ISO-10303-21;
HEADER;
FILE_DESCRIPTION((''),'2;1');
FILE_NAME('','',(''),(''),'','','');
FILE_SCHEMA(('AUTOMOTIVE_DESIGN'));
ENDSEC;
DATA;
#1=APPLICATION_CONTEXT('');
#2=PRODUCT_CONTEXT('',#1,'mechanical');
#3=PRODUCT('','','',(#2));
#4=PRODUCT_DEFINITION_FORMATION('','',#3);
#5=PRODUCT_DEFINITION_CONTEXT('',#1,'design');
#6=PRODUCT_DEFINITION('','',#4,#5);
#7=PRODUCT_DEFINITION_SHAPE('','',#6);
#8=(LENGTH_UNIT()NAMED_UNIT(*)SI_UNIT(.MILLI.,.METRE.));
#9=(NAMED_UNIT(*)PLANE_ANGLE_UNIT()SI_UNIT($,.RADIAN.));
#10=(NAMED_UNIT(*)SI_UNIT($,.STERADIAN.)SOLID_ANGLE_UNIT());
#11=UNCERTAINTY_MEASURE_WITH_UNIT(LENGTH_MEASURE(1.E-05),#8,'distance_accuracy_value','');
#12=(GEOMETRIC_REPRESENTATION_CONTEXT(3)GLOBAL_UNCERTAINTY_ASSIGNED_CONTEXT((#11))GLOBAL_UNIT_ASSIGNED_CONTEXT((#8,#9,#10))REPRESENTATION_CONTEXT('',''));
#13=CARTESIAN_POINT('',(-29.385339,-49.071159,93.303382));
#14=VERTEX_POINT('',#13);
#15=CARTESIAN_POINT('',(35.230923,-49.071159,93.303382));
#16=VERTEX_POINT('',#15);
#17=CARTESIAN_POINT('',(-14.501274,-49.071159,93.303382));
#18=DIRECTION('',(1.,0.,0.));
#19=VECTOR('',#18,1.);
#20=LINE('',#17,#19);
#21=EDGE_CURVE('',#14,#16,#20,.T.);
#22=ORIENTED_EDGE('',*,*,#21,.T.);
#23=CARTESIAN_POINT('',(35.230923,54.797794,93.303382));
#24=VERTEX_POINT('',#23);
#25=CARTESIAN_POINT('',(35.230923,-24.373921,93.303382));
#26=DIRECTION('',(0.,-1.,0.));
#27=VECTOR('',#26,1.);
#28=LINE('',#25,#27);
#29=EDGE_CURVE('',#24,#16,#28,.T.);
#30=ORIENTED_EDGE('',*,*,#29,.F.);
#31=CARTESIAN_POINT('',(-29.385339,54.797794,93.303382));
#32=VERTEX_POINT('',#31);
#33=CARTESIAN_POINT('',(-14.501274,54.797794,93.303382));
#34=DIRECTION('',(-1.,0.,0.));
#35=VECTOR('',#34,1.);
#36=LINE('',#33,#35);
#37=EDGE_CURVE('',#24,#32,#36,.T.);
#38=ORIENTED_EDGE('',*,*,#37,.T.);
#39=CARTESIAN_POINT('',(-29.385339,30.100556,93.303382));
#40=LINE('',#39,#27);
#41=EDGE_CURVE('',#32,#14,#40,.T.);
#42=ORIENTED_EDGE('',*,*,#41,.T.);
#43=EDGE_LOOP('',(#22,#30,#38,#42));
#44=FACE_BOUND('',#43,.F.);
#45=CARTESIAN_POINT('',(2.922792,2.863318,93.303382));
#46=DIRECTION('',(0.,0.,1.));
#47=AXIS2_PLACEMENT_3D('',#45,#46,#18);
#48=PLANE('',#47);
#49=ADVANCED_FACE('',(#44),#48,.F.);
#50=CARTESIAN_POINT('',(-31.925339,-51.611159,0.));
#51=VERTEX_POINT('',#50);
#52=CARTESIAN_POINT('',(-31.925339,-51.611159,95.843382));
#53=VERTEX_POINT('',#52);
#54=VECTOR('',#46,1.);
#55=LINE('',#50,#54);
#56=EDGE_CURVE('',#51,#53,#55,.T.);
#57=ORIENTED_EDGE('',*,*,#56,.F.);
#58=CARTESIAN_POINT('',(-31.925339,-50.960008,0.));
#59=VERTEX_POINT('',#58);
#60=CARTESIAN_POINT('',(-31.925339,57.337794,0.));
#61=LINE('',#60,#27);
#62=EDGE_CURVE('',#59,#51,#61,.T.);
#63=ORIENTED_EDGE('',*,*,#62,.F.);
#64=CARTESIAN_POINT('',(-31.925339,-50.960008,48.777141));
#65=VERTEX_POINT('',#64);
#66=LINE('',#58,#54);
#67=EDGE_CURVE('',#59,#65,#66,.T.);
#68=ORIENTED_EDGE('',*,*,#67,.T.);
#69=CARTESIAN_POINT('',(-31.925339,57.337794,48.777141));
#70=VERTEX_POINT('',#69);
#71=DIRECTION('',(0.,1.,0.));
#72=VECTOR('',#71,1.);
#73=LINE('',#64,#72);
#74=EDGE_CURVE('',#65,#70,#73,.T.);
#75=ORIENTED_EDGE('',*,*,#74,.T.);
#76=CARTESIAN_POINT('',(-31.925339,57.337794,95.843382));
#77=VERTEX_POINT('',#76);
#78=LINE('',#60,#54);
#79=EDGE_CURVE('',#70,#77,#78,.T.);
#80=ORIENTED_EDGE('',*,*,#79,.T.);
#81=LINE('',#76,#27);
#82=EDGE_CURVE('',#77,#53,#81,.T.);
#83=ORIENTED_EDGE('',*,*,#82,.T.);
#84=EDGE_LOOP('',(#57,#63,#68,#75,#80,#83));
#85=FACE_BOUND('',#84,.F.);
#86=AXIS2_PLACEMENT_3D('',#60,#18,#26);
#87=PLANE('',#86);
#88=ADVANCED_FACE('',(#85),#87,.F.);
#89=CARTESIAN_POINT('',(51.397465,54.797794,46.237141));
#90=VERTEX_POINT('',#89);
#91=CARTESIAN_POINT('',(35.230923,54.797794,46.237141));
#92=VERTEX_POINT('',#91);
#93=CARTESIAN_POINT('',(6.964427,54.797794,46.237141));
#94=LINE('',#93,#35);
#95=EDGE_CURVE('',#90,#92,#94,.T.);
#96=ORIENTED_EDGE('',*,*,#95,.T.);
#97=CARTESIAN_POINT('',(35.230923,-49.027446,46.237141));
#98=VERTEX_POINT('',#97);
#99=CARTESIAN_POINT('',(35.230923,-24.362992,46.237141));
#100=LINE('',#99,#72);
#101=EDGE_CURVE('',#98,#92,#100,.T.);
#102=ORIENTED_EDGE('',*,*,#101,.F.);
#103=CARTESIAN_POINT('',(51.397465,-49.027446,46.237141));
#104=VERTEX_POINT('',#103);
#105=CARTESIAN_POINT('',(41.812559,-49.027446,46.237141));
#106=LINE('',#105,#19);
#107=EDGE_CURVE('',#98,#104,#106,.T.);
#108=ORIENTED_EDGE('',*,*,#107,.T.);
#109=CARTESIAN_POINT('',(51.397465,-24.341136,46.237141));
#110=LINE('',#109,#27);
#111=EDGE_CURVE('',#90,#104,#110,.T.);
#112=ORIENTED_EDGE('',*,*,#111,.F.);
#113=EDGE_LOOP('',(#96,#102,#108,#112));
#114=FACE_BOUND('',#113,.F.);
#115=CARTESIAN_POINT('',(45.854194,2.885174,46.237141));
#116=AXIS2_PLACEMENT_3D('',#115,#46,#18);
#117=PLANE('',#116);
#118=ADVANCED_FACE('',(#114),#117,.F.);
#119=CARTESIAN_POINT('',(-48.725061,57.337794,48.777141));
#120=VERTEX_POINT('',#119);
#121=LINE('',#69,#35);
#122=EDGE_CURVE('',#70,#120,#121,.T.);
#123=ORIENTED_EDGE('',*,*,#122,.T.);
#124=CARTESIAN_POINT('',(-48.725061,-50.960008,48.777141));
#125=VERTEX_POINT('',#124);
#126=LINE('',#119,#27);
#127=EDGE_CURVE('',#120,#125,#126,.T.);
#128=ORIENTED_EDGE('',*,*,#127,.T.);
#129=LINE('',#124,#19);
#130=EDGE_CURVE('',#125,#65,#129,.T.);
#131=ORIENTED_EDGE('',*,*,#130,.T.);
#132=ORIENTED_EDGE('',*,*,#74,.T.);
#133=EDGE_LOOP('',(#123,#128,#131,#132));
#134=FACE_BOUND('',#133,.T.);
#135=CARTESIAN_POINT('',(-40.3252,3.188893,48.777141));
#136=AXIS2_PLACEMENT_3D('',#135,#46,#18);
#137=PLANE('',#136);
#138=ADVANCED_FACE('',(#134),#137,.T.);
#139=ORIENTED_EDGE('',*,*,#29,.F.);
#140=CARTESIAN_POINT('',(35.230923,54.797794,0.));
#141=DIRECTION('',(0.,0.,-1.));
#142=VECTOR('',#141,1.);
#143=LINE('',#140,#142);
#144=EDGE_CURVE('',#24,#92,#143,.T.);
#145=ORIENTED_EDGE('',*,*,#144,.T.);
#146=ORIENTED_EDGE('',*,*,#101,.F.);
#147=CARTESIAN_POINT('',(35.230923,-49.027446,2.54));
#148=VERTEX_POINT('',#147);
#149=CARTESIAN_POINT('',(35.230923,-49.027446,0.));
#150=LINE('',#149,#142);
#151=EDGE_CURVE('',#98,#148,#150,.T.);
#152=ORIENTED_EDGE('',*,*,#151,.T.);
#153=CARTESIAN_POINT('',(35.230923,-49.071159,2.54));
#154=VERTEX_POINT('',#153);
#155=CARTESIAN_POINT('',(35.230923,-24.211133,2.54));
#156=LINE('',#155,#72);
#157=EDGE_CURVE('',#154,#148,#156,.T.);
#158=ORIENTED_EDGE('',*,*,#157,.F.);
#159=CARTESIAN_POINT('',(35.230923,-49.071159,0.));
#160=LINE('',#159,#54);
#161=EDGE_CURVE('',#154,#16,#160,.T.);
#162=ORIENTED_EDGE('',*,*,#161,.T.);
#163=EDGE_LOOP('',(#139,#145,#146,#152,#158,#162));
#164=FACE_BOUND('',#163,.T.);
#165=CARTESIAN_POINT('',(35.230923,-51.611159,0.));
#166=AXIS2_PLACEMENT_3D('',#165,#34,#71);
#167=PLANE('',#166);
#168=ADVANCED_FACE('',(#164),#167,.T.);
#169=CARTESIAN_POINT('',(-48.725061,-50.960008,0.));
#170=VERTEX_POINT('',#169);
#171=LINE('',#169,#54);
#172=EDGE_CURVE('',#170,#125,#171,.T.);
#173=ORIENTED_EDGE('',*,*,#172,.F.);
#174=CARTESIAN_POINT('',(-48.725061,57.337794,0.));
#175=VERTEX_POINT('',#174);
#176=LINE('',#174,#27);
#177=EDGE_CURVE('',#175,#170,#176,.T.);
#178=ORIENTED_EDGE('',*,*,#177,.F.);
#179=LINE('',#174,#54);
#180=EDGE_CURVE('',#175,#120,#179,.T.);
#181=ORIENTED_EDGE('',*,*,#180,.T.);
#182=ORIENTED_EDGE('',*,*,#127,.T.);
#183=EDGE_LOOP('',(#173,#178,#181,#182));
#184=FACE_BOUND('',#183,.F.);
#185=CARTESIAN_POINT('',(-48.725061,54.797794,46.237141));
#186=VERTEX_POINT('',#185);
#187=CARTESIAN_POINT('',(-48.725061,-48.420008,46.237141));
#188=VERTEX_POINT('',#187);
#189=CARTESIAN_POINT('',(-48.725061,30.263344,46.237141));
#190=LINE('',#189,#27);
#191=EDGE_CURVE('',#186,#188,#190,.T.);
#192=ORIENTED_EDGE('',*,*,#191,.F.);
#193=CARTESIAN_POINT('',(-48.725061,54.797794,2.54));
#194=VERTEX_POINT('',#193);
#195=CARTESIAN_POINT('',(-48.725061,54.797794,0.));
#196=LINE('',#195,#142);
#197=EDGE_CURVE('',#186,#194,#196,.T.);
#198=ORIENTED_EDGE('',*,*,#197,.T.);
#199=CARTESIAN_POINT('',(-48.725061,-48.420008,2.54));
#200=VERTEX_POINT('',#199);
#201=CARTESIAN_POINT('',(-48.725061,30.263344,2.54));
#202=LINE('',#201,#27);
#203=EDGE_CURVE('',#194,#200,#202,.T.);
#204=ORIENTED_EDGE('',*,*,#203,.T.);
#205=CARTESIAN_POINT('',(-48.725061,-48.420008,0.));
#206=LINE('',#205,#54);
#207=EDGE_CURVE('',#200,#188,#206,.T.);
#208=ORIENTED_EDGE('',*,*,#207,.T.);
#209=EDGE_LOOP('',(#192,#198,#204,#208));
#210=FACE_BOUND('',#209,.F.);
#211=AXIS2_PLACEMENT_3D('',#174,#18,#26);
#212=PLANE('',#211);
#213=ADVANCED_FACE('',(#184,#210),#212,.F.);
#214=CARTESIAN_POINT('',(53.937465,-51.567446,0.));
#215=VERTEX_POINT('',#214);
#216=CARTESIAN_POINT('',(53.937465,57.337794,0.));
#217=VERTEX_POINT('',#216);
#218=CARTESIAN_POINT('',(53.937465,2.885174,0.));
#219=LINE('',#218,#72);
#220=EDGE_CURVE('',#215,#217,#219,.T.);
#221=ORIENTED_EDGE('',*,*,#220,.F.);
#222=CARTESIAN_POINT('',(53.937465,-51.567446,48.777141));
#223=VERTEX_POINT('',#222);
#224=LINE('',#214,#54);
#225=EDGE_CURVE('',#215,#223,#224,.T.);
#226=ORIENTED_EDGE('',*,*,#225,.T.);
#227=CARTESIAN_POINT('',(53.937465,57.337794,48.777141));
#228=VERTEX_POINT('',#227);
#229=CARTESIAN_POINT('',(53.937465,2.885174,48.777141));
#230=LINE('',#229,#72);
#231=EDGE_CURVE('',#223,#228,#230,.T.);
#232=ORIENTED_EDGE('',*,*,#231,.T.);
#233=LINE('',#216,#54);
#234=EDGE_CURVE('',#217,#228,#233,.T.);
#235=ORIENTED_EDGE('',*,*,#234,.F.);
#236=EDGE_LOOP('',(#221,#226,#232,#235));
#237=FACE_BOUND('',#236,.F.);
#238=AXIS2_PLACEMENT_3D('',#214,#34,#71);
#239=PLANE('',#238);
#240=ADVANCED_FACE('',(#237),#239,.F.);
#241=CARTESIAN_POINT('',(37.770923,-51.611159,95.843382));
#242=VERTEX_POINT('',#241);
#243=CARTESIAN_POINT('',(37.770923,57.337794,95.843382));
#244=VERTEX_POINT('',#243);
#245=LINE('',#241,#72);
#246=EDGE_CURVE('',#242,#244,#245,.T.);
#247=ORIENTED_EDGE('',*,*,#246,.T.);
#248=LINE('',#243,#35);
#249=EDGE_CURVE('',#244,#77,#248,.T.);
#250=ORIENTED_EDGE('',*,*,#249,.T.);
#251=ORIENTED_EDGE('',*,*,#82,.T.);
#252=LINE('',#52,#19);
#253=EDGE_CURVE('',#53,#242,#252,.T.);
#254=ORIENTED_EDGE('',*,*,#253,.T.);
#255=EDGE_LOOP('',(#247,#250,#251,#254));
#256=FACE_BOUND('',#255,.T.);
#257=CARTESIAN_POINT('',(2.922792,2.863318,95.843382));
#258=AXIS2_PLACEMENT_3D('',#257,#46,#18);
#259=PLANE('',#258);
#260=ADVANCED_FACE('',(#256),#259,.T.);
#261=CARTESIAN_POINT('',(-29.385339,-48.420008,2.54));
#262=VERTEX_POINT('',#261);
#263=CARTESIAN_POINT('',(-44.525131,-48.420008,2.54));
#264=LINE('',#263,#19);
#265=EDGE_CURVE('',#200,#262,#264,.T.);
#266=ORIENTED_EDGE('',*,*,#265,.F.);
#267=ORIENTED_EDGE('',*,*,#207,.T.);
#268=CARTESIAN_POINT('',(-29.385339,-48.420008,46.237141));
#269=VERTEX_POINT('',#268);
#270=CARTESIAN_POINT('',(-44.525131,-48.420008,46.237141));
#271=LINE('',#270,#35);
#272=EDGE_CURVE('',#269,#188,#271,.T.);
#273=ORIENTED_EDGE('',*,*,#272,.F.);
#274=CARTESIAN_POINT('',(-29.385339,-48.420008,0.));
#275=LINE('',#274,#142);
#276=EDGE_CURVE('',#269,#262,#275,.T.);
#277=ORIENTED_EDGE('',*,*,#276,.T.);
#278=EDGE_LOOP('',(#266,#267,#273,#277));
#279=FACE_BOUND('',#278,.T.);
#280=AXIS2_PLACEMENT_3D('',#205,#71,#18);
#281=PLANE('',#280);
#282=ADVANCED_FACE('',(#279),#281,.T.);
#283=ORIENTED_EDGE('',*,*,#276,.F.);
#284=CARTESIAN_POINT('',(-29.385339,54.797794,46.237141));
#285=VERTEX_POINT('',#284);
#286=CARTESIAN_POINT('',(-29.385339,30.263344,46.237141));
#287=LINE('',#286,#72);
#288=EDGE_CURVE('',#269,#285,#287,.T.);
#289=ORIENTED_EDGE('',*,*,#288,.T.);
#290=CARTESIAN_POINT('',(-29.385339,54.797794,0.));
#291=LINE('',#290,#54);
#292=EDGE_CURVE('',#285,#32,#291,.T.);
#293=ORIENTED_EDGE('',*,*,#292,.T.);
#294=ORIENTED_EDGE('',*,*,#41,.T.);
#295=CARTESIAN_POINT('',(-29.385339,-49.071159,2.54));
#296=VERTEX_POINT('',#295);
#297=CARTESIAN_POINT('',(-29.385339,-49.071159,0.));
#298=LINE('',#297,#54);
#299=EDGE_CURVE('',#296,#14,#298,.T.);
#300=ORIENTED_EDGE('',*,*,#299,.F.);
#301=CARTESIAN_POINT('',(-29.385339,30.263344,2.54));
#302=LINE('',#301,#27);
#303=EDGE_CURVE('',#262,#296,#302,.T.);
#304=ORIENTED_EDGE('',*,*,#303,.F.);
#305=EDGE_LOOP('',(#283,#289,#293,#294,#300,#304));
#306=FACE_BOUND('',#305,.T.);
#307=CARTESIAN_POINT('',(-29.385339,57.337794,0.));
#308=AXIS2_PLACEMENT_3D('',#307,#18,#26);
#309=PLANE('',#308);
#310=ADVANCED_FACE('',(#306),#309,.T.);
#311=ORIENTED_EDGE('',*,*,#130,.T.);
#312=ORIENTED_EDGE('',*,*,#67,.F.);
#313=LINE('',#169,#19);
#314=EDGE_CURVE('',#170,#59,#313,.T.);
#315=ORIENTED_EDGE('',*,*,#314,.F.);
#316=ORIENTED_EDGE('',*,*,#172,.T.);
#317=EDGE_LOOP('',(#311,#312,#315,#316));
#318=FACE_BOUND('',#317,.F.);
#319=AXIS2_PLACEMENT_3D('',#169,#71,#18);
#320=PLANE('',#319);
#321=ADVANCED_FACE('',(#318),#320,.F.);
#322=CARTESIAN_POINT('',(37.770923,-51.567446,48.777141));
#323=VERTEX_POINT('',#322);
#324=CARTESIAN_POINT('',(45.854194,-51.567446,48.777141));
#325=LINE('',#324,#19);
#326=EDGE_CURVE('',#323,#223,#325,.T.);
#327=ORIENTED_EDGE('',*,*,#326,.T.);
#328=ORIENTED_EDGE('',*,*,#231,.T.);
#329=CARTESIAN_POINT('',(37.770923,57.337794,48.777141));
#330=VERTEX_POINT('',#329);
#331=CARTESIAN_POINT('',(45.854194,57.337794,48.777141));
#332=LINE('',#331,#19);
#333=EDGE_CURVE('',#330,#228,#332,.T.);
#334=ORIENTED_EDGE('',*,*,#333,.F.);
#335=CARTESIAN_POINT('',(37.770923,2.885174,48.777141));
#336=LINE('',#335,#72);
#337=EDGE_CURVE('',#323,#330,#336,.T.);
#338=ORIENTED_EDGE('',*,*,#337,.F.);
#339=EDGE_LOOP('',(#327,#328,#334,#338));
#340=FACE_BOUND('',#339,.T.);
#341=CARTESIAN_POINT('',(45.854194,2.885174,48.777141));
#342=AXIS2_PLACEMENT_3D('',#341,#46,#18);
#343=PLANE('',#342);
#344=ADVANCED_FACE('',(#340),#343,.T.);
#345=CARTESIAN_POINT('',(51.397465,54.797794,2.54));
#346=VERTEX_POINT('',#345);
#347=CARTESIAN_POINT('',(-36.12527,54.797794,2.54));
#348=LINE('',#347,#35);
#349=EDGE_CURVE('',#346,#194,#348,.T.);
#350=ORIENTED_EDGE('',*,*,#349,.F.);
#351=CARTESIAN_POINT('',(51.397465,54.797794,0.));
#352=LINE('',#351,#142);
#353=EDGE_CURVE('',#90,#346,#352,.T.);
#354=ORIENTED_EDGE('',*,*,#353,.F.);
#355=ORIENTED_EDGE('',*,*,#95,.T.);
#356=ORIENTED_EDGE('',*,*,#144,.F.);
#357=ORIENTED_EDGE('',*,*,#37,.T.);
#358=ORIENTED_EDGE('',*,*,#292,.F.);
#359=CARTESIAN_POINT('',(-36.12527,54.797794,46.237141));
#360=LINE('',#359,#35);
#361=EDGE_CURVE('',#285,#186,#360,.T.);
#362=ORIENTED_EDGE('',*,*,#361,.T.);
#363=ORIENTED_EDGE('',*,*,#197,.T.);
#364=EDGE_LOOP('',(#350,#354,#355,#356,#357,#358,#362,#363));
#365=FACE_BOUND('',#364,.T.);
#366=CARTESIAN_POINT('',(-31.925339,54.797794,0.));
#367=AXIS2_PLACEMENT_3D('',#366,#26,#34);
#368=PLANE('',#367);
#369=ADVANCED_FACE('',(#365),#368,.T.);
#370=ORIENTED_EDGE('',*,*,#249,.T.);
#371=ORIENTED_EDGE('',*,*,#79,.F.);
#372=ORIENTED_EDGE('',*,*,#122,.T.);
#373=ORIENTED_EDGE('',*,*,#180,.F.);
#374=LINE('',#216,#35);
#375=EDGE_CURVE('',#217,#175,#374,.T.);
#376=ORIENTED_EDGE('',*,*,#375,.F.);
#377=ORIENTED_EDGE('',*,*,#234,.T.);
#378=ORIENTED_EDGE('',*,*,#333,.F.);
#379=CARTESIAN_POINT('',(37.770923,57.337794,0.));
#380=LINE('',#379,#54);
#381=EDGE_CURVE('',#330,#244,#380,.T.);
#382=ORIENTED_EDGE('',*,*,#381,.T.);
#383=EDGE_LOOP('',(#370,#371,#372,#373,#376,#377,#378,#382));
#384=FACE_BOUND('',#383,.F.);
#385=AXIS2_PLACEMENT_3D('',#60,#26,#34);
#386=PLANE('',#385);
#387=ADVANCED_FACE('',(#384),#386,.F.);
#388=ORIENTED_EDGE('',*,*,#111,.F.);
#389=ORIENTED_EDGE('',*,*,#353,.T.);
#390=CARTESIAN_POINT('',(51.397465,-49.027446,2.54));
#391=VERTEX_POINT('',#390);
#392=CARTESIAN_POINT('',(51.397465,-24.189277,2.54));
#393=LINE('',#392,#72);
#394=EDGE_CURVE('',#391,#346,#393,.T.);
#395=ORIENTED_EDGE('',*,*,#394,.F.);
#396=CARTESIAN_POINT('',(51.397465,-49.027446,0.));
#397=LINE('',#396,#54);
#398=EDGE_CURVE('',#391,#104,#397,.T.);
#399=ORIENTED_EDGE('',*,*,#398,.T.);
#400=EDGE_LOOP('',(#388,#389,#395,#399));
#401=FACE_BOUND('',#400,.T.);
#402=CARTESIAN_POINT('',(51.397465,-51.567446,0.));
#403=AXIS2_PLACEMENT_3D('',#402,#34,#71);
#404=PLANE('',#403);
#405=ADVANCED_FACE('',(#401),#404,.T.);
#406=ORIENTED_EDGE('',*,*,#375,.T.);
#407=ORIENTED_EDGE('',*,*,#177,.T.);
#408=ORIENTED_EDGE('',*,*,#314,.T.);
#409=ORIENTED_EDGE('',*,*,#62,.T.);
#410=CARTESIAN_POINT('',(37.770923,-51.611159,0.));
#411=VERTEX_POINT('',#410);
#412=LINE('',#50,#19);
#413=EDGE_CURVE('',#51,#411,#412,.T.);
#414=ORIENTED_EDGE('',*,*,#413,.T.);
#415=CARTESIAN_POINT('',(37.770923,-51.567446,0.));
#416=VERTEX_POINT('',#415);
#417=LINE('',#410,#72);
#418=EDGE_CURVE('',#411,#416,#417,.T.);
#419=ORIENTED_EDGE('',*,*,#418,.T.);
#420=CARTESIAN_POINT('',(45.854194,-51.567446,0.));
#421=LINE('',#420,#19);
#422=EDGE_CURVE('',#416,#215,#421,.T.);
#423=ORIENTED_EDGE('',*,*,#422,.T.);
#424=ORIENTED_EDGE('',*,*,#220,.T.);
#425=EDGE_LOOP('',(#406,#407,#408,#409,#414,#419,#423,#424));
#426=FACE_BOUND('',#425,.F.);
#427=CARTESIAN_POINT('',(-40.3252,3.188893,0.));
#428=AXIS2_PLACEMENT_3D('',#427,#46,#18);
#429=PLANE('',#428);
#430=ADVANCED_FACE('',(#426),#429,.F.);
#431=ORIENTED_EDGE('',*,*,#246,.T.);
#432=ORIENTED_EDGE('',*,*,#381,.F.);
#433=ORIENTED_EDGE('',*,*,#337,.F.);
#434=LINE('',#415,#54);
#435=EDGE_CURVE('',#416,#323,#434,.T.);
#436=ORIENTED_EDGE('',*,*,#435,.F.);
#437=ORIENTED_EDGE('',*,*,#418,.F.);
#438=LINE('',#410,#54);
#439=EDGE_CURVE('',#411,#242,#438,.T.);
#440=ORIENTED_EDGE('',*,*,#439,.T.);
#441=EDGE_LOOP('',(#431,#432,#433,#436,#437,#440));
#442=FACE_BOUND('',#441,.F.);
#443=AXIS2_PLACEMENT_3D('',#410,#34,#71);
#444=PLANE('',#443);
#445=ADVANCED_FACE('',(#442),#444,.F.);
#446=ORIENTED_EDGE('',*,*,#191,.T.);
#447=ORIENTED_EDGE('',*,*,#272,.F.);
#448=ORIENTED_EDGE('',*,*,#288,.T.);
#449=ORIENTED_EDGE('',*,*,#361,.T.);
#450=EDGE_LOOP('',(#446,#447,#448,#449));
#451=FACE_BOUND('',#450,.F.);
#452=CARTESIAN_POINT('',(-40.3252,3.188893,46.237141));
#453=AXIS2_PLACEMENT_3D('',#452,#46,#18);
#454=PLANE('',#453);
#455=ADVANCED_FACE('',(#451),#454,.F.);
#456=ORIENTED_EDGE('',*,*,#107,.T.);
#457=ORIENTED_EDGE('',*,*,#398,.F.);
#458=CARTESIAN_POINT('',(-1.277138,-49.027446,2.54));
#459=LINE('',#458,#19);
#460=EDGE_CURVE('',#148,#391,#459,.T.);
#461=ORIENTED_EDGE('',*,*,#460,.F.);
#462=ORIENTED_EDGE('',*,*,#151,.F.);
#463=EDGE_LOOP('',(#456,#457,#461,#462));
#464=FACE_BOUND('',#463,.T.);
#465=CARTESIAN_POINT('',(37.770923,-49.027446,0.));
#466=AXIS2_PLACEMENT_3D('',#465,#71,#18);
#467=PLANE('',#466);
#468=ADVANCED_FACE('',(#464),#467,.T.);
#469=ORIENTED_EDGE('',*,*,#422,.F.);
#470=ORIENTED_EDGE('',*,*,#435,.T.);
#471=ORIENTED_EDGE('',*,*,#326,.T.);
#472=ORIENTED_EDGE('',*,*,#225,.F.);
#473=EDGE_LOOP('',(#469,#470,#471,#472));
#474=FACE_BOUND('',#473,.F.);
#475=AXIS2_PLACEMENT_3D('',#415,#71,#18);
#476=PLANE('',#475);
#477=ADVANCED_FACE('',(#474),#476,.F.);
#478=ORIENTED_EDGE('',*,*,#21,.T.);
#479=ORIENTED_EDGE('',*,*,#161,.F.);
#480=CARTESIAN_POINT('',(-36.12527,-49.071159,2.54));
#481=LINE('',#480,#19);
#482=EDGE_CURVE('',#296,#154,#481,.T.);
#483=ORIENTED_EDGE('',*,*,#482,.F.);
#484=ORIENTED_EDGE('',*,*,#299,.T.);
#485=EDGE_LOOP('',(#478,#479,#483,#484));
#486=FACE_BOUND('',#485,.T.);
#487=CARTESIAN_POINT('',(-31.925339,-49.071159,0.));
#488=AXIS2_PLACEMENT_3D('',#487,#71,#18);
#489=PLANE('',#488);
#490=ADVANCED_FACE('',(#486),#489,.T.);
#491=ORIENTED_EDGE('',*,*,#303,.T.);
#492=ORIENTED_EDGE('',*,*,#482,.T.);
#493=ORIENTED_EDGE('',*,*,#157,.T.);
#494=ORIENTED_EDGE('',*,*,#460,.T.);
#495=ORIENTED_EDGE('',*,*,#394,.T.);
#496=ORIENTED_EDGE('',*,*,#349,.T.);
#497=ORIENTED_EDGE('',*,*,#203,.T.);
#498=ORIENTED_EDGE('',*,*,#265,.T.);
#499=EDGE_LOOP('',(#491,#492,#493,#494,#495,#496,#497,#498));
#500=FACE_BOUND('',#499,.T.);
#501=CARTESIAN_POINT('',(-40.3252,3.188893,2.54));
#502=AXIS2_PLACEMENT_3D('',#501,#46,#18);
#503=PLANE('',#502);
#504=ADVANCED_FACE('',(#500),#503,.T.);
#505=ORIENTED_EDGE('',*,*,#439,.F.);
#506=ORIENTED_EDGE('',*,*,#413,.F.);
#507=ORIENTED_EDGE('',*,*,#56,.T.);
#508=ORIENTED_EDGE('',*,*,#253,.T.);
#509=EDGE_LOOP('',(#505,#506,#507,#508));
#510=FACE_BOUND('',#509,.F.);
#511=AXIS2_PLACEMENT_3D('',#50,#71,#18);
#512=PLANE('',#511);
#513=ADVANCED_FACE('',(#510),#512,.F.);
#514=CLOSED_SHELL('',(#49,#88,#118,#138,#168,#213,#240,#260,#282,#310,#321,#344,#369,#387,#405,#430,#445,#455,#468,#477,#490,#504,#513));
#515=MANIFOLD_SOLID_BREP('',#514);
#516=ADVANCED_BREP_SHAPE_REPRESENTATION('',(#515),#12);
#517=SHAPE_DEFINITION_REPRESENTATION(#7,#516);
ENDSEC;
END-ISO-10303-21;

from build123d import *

# Parameters (mm, degrees)
F1_DEPTH = 95.8433821797
F0_W     = 16.1665417254
F0_H     = 108.9052408934
F2_DEPTH = 48.777140677
F3_T     = -2.54


with BuildPart() as f1:
    # F0 (on Top) → F1 (new body)
    with BuildSketch(Plane.XY):
        Polygon((37.7709232271, 57.3377944529), (-31.9253392518, 57.3377944529), (-31.9253392518, -50.960008055), (-31.9253392518, -51.6111589968), (37.7709232271, -51.6111589968), (37.7709232271, -51.5674464405), align=None)
    extrude(amount=F1_DEPTH)

    # F0 (on Top) → F2 (join)
    with BuildSketch(Plane.XY):
        Polygon((-31.9253392518, -50.960008055), (-31.9253392518, 57.3377944529), (-48.7250611186, 57.3377944529), (-48.7250611186, -12.884741649), (-48.7250611186, -50.960008055), align=None)
        with Locations((45.8541940898, 2.8851740062)):
            Rectangle(F0_W, F0_H)
    extrude(amount=F2_DEPTH)

    # F3
    f3_openings = [f1.faces().sort_by_distance(p)[0] for p in [
        (-48.725061, 3.188893, 24.38857),
    ]]
    offset(amount=F3_T, openings=f3_openings, kind=Kind.INTERSECTION)


solid = f1.part
